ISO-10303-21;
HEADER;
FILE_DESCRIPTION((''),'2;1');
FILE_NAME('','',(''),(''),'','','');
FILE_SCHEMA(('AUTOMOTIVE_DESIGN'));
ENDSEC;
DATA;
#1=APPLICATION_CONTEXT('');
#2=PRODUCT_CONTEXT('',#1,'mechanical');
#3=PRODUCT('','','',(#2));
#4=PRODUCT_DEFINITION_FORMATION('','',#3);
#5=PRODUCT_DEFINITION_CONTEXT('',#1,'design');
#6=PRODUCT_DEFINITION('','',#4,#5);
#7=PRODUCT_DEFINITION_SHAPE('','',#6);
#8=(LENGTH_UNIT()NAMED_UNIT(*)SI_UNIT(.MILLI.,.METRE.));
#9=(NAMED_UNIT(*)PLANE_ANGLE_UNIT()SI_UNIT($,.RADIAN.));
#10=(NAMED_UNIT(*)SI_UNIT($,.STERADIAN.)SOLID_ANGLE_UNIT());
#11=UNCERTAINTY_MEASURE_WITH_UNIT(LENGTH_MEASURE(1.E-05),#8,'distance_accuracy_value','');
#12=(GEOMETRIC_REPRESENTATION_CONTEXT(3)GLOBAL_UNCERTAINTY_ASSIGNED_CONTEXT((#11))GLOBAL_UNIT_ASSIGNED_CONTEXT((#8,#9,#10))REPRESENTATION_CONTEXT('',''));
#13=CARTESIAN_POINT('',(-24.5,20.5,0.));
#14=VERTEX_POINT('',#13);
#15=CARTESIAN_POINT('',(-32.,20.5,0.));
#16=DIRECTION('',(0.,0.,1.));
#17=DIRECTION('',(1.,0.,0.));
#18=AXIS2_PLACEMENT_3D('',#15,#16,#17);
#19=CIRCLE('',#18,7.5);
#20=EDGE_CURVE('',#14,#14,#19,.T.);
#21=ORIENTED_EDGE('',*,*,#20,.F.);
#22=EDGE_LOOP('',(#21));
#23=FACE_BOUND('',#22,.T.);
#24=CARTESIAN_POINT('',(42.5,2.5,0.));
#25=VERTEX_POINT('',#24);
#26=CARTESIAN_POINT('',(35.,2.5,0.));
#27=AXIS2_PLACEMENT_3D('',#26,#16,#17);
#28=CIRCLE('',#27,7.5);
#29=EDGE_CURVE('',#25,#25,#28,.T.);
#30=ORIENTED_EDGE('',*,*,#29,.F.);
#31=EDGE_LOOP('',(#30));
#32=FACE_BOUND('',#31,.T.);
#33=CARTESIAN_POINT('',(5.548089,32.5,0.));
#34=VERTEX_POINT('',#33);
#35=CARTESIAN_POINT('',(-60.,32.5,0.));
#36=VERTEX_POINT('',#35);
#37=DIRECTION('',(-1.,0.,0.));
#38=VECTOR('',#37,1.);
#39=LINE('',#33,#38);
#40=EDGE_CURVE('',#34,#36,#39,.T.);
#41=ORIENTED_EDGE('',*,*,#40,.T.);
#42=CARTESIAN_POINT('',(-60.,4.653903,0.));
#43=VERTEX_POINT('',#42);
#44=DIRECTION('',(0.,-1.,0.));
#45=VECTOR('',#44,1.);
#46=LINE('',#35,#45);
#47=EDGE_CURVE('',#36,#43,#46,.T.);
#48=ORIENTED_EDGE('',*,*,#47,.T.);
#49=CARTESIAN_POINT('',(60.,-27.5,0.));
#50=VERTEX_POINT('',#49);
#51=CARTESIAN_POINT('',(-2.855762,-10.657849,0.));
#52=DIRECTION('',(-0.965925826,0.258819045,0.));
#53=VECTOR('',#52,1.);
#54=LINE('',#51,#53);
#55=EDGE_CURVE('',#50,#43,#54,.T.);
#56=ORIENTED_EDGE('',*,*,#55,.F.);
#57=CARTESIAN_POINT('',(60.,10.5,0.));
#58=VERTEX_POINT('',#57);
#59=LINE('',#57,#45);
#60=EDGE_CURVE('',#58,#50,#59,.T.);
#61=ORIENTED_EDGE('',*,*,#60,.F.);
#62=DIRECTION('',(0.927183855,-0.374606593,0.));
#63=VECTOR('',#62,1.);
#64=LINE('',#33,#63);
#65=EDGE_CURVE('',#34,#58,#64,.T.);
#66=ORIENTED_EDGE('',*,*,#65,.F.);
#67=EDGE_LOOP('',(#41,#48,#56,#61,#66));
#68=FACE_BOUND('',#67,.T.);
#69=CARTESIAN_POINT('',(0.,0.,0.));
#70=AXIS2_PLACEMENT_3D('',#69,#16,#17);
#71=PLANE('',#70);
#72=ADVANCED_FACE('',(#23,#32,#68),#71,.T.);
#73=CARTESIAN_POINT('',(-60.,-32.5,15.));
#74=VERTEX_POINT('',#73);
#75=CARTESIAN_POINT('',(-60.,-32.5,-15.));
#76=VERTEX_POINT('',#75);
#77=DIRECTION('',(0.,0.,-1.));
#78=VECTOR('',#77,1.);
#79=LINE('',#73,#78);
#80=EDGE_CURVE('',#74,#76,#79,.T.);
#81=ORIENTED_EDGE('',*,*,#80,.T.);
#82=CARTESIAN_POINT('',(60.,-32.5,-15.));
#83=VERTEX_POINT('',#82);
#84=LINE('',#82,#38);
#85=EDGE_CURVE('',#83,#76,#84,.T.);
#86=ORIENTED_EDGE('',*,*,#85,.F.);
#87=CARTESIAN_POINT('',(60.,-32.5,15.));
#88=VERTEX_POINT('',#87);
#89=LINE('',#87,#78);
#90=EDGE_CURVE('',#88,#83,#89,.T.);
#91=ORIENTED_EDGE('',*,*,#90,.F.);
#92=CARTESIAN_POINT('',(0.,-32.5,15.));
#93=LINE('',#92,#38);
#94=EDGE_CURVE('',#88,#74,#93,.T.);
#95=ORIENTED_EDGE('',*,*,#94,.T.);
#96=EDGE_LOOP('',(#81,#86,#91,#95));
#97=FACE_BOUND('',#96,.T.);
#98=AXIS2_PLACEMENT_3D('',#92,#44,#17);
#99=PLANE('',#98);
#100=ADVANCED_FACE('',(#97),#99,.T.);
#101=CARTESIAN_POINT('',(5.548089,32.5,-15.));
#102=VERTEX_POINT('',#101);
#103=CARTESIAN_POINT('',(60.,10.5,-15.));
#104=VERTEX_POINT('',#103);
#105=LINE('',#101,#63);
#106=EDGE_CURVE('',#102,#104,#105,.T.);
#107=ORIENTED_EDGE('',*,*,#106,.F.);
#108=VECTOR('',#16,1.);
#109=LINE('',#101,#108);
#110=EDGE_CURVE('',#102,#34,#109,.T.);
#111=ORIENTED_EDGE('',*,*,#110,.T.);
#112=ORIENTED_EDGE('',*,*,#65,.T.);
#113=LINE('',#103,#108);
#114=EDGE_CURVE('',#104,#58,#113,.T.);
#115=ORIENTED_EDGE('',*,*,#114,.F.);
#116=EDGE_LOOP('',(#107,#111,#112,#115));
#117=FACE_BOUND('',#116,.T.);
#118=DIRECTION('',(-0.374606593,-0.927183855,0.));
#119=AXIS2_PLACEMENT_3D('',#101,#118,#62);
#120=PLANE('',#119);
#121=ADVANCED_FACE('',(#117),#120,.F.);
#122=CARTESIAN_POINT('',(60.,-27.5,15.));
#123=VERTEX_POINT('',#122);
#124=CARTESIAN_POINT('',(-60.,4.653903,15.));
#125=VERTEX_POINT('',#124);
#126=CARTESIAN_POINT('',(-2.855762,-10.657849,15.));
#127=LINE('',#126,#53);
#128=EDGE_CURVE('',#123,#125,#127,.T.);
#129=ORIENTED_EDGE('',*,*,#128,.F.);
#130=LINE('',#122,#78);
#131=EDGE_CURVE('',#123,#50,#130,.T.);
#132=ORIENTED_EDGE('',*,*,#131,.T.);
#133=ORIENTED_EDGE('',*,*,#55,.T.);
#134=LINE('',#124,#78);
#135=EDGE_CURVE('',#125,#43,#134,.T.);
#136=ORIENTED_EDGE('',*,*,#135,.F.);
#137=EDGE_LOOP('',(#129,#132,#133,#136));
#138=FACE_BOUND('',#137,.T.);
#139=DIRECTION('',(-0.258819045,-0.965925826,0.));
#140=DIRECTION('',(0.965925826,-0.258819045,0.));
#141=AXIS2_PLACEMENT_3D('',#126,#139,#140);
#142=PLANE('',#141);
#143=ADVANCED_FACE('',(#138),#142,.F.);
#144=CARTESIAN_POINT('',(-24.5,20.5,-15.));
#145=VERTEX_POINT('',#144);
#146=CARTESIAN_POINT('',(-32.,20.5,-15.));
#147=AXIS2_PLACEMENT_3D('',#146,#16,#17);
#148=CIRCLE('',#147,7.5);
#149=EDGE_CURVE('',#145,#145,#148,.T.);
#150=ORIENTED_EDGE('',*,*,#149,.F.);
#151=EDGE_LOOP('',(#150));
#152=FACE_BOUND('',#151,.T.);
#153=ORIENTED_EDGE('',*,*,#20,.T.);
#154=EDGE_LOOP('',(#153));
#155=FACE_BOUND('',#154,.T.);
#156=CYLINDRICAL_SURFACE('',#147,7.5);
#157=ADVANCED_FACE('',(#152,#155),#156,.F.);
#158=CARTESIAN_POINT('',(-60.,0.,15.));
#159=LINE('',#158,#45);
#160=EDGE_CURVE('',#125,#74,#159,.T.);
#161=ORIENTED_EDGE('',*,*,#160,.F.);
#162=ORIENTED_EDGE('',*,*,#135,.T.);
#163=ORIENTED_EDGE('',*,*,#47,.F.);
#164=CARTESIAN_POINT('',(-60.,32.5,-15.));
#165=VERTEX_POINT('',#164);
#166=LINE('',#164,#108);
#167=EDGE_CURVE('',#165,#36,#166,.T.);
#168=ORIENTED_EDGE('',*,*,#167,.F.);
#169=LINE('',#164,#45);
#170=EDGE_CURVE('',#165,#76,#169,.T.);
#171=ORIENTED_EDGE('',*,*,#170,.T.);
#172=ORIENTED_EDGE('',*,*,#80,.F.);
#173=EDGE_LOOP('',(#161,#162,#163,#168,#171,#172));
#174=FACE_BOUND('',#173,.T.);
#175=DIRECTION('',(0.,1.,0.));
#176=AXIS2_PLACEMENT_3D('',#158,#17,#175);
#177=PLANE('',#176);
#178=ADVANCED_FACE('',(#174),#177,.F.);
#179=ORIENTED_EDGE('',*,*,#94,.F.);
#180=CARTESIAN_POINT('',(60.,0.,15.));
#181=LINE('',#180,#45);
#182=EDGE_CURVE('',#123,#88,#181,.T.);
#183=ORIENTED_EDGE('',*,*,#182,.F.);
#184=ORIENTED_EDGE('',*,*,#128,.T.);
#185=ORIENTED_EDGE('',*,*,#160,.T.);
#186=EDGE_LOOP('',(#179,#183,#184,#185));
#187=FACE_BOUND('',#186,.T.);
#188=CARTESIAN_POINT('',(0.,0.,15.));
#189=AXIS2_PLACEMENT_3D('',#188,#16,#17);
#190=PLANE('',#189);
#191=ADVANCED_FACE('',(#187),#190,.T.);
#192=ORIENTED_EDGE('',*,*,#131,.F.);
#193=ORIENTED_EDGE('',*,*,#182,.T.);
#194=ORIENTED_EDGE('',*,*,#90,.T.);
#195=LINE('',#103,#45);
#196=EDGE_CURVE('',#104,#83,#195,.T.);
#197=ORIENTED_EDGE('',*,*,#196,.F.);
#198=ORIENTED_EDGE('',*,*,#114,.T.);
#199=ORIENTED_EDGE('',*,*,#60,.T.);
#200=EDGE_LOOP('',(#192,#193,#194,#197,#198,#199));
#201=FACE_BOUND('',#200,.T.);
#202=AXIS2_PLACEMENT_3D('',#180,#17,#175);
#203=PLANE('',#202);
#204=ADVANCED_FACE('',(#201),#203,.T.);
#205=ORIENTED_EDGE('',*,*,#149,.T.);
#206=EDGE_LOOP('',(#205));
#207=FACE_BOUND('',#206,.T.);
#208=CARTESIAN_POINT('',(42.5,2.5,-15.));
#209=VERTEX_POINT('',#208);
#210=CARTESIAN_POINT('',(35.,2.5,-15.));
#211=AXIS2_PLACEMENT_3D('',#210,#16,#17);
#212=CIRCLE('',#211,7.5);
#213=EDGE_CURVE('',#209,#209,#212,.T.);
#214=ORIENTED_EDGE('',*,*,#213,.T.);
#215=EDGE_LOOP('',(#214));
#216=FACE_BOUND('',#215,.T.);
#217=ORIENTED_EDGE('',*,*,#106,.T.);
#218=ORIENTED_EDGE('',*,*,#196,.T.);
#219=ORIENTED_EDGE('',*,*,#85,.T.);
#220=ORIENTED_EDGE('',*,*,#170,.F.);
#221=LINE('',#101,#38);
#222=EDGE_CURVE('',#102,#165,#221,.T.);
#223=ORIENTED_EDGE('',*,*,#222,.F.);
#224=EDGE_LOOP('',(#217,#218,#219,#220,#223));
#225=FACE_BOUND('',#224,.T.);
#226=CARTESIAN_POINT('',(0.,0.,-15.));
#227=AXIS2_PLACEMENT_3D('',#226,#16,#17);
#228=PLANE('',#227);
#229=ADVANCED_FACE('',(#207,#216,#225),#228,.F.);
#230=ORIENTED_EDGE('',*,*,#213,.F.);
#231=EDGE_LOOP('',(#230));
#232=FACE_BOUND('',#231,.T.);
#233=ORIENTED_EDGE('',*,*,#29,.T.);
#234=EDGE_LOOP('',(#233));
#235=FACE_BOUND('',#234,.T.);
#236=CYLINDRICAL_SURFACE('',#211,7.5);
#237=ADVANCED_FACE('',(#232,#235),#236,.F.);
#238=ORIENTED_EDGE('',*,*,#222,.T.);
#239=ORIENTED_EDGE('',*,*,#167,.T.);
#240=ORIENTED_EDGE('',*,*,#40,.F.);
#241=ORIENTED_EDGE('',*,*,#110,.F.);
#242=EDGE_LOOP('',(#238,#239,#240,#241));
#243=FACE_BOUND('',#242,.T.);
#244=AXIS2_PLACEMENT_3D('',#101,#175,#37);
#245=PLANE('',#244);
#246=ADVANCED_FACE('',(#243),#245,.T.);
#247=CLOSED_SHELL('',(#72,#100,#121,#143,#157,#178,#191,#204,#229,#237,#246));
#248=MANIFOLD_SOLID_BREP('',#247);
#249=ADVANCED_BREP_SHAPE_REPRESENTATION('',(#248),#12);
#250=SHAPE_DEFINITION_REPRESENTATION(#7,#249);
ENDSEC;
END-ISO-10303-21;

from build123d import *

# Parameters (mm, degrees)
BOSS_EXTRUDE1_DEPTH = 15
SKETCH1_7_R         = 7.5
BOSS_EXTRUDE5_DEPTH = 15


with BuildPart() as part:
    # Sketch1 → Boss-Extrude1 (new body)
    with BuildSketch(Plane.XY):
        Polygon((60, -32.5), (60, -27.5), (-60, 4.653903092), (-60, -32.5), align=None)
    extrude(amount=BOSS_EXTRUDE1_DEPTH)

    # Sketch1<7> → Boss-Extrude5 (add)
    with BuildSketch(Plane.XY):
        Polygon((60, -32.5), (60, 10.5), (5.548089225, 32.5), (-60, 32.5), (-60, -32.5), align=None)
        with Locations((35, 2.5)):
            Circle(SKETCH1_7_R, mode=Mode.SUBTRACT)
        with Locations((-32, 20.5)):
            Circle(SKETCH1_7_R, mode=Mode.SUBTRACT)
    extrude(amount=-BOSS_EXTRUDE5_DEPTH)


solid = part.part
